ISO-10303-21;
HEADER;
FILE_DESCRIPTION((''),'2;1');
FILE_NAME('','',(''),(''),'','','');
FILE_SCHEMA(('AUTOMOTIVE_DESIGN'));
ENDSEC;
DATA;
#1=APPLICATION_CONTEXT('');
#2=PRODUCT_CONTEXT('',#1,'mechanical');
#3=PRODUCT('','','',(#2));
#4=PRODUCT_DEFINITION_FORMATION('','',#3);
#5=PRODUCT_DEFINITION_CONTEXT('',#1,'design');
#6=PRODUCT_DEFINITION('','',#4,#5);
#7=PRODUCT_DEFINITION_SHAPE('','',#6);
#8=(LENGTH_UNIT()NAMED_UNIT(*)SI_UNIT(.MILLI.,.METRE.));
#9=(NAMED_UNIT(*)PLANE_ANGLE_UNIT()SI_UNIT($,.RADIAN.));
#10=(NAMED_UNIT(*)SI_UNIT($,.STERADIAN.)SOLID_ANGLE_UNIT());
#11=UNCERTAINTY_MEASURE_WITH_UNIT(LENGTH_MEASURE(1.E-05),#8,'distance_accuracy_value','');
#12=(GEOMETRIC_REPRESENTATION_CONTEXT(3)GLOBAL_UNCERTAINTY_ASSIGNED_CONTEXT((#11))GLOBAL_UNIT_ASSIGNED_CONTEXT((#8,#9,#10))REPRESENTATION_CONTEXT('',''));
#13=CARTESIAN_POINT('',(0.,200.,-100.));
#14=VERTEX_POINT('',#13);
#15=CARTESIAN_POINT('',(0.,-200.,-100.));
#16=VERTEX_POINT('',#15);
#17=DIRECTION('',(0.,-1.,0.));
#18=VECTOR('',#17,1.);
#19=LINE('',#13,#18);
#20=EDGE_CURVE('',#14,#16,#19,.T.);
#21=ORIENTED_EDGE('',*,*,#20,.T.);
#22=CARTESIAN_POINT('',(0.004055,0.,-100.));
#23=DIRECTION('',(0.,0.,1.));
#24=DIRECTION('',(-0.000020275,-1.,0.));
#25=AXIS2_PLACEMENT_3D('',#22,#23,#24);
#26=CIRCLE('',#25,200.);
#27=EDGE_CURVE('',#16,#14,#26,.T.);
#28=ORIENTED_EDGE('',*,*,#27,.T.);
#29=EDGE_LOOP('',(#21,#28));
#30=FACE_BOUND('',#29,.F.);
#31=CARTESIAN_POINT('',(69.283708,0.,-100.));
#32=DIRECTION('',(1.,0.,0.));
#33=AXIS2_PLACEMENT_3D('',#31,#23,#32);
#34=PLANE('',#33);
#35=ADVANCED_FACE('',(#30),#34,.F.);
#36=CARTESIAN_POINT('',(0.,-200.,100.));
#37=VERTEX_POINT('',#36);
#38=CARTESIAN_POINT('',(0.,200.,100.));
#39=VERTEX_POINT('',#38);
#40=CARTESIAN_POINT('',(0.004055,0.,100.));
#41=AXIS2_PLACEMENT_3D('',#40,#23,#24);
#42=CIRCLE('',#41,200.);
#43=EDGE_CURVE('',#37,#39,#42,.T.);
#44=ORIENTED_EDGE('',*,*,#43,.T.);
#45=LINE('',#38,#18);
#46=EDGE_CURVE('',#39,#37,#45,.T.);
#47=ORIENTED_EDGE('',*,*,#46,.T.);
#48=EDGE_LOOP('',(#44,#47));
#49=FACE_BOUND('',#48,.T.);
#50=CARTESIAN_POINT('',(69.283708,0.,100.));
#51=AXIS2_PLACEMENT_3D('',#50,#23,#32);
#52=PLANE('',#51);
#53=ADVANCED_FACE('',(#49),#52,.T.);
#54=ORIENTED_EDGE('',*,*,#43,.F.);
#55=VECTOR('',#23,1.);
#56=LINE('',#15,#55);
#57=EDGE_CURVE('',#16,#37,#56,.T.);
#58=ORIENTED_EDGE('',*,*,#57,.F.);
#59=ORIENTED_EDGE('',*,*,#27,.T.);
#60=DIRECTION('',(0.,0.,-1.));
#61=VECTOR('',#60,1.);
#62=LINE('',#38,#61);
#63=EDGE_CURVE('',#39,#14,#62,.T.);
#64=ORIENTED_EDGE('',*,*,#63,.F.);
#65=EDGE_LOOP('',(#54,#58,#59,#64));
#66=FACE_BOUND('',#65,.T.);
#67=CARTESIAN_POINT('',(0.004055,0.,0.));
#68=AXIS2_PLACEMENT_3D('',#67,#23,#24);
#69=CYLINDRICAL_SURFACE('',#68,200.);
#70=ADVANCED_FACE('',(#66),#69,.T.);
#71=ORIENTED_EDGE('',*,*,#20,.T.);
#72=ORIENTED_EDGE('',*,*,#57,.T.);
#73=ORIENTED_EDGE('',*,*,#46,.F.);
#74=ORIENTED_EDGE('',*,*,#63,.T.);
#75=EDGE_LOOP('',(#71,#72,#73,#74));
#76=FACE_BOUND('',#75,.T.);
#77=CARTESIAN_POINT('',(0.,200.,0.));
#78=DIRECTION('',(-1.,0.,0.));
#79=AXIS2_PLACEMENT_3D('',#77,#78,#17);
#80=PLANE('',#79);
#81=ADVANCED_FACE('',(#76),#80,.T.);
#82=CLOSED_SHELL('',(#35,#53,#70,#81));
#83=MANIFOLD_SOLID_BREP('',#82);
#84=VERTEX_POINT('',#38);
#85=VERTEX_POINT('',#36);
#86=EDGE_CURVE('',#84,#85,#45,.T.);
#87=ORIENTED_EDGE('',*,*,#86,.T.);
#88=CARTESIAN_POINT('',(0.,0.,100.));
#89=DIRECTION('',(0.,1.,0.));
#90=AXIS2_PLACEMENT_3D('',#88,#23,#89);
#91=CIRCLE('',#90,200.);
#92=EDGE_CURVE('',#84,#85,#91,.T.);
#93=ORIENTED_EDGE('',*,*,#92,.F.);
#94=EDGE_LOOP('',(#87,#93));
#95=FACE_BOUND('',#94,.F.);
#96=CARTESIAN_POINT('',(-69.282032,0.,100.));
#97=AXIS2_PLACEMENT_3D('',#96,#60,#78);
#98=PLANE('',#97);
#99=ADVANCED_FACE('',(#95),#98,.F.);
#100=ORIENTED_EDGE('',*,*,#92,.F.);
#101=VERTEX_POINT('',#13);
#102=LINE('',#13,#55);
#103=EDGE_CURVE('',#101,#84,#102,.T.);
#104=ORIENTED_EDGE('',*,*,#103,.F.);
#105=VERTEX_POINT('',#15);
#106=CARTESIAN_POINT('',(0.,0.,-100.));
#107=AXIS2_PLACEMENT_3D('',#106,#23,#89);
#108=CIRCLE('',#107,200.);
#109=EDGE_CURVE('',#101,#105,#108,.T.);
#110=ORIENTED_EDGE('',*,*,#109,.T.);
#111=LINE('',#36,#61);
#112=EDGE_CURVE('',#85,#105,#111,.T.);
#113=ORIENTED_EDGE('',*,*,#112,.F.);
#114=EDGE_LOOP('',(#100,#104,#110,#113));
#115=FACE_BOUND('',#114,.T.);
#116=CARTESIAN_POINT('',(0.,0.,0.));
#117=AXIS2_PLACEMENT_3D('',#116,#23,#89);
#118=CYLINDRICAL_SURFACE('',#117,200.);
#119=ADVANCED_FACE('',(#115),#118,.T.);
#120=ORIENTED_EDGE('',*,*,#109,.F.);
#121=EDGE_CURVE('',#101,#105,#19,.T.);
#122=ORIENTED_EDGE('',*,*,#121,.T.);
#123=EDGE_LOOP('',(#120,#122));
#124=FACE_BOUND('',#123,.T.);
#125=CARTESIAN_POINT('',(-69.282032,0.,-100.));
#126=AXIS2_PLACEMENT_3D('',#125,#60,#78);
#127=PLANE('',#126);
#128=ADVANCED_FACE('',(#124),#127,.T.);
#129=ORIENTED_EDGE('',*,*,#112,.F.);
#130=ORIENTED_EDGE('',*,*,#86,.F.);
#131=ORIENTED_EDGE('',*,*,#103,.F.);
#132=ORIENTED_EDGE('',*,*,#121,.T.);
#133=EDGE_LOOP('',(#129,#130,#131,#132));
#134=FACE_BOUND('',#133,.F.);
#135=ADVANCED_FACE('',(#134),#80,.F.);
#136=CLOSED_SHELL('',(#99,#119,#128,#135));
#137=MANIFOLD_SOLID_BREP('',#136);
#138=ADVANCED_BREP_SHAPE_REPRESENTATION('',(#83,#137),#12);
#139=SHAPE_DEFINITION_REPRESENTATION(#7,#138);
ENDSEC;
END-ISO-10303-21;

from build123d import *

# Parameters (mm, degrees)
PAD_DEPTH    = 100
PAD001_DEPTH = 100


with BuildPart() as body1:
    # Sketch → Pad (new body, symmetric)
    with BuildSketch(Plane.XY):
        with BuildLine():
            Line((0, 200), (0, -200))
            ThreePointArc((0, 200), (-200, 0), (0, -200))
        make_face()
    extrude(amount=PAD_DEPTH, both=True)


with BuildPart() as body2:
    # Sketch001 → Pad001 (new body, symmetric)
    with BuildSketch(Plane.XY):
        with BuildLine():
            Line((0, 200), (0, -200))
            ThreePointArc((0, -200), (200.004055, 0), (0, 200))
        make_face()
    extrude(amount=PAD001_DEPTH, both=True)


solid = Compound([body1.part, body2.part])
